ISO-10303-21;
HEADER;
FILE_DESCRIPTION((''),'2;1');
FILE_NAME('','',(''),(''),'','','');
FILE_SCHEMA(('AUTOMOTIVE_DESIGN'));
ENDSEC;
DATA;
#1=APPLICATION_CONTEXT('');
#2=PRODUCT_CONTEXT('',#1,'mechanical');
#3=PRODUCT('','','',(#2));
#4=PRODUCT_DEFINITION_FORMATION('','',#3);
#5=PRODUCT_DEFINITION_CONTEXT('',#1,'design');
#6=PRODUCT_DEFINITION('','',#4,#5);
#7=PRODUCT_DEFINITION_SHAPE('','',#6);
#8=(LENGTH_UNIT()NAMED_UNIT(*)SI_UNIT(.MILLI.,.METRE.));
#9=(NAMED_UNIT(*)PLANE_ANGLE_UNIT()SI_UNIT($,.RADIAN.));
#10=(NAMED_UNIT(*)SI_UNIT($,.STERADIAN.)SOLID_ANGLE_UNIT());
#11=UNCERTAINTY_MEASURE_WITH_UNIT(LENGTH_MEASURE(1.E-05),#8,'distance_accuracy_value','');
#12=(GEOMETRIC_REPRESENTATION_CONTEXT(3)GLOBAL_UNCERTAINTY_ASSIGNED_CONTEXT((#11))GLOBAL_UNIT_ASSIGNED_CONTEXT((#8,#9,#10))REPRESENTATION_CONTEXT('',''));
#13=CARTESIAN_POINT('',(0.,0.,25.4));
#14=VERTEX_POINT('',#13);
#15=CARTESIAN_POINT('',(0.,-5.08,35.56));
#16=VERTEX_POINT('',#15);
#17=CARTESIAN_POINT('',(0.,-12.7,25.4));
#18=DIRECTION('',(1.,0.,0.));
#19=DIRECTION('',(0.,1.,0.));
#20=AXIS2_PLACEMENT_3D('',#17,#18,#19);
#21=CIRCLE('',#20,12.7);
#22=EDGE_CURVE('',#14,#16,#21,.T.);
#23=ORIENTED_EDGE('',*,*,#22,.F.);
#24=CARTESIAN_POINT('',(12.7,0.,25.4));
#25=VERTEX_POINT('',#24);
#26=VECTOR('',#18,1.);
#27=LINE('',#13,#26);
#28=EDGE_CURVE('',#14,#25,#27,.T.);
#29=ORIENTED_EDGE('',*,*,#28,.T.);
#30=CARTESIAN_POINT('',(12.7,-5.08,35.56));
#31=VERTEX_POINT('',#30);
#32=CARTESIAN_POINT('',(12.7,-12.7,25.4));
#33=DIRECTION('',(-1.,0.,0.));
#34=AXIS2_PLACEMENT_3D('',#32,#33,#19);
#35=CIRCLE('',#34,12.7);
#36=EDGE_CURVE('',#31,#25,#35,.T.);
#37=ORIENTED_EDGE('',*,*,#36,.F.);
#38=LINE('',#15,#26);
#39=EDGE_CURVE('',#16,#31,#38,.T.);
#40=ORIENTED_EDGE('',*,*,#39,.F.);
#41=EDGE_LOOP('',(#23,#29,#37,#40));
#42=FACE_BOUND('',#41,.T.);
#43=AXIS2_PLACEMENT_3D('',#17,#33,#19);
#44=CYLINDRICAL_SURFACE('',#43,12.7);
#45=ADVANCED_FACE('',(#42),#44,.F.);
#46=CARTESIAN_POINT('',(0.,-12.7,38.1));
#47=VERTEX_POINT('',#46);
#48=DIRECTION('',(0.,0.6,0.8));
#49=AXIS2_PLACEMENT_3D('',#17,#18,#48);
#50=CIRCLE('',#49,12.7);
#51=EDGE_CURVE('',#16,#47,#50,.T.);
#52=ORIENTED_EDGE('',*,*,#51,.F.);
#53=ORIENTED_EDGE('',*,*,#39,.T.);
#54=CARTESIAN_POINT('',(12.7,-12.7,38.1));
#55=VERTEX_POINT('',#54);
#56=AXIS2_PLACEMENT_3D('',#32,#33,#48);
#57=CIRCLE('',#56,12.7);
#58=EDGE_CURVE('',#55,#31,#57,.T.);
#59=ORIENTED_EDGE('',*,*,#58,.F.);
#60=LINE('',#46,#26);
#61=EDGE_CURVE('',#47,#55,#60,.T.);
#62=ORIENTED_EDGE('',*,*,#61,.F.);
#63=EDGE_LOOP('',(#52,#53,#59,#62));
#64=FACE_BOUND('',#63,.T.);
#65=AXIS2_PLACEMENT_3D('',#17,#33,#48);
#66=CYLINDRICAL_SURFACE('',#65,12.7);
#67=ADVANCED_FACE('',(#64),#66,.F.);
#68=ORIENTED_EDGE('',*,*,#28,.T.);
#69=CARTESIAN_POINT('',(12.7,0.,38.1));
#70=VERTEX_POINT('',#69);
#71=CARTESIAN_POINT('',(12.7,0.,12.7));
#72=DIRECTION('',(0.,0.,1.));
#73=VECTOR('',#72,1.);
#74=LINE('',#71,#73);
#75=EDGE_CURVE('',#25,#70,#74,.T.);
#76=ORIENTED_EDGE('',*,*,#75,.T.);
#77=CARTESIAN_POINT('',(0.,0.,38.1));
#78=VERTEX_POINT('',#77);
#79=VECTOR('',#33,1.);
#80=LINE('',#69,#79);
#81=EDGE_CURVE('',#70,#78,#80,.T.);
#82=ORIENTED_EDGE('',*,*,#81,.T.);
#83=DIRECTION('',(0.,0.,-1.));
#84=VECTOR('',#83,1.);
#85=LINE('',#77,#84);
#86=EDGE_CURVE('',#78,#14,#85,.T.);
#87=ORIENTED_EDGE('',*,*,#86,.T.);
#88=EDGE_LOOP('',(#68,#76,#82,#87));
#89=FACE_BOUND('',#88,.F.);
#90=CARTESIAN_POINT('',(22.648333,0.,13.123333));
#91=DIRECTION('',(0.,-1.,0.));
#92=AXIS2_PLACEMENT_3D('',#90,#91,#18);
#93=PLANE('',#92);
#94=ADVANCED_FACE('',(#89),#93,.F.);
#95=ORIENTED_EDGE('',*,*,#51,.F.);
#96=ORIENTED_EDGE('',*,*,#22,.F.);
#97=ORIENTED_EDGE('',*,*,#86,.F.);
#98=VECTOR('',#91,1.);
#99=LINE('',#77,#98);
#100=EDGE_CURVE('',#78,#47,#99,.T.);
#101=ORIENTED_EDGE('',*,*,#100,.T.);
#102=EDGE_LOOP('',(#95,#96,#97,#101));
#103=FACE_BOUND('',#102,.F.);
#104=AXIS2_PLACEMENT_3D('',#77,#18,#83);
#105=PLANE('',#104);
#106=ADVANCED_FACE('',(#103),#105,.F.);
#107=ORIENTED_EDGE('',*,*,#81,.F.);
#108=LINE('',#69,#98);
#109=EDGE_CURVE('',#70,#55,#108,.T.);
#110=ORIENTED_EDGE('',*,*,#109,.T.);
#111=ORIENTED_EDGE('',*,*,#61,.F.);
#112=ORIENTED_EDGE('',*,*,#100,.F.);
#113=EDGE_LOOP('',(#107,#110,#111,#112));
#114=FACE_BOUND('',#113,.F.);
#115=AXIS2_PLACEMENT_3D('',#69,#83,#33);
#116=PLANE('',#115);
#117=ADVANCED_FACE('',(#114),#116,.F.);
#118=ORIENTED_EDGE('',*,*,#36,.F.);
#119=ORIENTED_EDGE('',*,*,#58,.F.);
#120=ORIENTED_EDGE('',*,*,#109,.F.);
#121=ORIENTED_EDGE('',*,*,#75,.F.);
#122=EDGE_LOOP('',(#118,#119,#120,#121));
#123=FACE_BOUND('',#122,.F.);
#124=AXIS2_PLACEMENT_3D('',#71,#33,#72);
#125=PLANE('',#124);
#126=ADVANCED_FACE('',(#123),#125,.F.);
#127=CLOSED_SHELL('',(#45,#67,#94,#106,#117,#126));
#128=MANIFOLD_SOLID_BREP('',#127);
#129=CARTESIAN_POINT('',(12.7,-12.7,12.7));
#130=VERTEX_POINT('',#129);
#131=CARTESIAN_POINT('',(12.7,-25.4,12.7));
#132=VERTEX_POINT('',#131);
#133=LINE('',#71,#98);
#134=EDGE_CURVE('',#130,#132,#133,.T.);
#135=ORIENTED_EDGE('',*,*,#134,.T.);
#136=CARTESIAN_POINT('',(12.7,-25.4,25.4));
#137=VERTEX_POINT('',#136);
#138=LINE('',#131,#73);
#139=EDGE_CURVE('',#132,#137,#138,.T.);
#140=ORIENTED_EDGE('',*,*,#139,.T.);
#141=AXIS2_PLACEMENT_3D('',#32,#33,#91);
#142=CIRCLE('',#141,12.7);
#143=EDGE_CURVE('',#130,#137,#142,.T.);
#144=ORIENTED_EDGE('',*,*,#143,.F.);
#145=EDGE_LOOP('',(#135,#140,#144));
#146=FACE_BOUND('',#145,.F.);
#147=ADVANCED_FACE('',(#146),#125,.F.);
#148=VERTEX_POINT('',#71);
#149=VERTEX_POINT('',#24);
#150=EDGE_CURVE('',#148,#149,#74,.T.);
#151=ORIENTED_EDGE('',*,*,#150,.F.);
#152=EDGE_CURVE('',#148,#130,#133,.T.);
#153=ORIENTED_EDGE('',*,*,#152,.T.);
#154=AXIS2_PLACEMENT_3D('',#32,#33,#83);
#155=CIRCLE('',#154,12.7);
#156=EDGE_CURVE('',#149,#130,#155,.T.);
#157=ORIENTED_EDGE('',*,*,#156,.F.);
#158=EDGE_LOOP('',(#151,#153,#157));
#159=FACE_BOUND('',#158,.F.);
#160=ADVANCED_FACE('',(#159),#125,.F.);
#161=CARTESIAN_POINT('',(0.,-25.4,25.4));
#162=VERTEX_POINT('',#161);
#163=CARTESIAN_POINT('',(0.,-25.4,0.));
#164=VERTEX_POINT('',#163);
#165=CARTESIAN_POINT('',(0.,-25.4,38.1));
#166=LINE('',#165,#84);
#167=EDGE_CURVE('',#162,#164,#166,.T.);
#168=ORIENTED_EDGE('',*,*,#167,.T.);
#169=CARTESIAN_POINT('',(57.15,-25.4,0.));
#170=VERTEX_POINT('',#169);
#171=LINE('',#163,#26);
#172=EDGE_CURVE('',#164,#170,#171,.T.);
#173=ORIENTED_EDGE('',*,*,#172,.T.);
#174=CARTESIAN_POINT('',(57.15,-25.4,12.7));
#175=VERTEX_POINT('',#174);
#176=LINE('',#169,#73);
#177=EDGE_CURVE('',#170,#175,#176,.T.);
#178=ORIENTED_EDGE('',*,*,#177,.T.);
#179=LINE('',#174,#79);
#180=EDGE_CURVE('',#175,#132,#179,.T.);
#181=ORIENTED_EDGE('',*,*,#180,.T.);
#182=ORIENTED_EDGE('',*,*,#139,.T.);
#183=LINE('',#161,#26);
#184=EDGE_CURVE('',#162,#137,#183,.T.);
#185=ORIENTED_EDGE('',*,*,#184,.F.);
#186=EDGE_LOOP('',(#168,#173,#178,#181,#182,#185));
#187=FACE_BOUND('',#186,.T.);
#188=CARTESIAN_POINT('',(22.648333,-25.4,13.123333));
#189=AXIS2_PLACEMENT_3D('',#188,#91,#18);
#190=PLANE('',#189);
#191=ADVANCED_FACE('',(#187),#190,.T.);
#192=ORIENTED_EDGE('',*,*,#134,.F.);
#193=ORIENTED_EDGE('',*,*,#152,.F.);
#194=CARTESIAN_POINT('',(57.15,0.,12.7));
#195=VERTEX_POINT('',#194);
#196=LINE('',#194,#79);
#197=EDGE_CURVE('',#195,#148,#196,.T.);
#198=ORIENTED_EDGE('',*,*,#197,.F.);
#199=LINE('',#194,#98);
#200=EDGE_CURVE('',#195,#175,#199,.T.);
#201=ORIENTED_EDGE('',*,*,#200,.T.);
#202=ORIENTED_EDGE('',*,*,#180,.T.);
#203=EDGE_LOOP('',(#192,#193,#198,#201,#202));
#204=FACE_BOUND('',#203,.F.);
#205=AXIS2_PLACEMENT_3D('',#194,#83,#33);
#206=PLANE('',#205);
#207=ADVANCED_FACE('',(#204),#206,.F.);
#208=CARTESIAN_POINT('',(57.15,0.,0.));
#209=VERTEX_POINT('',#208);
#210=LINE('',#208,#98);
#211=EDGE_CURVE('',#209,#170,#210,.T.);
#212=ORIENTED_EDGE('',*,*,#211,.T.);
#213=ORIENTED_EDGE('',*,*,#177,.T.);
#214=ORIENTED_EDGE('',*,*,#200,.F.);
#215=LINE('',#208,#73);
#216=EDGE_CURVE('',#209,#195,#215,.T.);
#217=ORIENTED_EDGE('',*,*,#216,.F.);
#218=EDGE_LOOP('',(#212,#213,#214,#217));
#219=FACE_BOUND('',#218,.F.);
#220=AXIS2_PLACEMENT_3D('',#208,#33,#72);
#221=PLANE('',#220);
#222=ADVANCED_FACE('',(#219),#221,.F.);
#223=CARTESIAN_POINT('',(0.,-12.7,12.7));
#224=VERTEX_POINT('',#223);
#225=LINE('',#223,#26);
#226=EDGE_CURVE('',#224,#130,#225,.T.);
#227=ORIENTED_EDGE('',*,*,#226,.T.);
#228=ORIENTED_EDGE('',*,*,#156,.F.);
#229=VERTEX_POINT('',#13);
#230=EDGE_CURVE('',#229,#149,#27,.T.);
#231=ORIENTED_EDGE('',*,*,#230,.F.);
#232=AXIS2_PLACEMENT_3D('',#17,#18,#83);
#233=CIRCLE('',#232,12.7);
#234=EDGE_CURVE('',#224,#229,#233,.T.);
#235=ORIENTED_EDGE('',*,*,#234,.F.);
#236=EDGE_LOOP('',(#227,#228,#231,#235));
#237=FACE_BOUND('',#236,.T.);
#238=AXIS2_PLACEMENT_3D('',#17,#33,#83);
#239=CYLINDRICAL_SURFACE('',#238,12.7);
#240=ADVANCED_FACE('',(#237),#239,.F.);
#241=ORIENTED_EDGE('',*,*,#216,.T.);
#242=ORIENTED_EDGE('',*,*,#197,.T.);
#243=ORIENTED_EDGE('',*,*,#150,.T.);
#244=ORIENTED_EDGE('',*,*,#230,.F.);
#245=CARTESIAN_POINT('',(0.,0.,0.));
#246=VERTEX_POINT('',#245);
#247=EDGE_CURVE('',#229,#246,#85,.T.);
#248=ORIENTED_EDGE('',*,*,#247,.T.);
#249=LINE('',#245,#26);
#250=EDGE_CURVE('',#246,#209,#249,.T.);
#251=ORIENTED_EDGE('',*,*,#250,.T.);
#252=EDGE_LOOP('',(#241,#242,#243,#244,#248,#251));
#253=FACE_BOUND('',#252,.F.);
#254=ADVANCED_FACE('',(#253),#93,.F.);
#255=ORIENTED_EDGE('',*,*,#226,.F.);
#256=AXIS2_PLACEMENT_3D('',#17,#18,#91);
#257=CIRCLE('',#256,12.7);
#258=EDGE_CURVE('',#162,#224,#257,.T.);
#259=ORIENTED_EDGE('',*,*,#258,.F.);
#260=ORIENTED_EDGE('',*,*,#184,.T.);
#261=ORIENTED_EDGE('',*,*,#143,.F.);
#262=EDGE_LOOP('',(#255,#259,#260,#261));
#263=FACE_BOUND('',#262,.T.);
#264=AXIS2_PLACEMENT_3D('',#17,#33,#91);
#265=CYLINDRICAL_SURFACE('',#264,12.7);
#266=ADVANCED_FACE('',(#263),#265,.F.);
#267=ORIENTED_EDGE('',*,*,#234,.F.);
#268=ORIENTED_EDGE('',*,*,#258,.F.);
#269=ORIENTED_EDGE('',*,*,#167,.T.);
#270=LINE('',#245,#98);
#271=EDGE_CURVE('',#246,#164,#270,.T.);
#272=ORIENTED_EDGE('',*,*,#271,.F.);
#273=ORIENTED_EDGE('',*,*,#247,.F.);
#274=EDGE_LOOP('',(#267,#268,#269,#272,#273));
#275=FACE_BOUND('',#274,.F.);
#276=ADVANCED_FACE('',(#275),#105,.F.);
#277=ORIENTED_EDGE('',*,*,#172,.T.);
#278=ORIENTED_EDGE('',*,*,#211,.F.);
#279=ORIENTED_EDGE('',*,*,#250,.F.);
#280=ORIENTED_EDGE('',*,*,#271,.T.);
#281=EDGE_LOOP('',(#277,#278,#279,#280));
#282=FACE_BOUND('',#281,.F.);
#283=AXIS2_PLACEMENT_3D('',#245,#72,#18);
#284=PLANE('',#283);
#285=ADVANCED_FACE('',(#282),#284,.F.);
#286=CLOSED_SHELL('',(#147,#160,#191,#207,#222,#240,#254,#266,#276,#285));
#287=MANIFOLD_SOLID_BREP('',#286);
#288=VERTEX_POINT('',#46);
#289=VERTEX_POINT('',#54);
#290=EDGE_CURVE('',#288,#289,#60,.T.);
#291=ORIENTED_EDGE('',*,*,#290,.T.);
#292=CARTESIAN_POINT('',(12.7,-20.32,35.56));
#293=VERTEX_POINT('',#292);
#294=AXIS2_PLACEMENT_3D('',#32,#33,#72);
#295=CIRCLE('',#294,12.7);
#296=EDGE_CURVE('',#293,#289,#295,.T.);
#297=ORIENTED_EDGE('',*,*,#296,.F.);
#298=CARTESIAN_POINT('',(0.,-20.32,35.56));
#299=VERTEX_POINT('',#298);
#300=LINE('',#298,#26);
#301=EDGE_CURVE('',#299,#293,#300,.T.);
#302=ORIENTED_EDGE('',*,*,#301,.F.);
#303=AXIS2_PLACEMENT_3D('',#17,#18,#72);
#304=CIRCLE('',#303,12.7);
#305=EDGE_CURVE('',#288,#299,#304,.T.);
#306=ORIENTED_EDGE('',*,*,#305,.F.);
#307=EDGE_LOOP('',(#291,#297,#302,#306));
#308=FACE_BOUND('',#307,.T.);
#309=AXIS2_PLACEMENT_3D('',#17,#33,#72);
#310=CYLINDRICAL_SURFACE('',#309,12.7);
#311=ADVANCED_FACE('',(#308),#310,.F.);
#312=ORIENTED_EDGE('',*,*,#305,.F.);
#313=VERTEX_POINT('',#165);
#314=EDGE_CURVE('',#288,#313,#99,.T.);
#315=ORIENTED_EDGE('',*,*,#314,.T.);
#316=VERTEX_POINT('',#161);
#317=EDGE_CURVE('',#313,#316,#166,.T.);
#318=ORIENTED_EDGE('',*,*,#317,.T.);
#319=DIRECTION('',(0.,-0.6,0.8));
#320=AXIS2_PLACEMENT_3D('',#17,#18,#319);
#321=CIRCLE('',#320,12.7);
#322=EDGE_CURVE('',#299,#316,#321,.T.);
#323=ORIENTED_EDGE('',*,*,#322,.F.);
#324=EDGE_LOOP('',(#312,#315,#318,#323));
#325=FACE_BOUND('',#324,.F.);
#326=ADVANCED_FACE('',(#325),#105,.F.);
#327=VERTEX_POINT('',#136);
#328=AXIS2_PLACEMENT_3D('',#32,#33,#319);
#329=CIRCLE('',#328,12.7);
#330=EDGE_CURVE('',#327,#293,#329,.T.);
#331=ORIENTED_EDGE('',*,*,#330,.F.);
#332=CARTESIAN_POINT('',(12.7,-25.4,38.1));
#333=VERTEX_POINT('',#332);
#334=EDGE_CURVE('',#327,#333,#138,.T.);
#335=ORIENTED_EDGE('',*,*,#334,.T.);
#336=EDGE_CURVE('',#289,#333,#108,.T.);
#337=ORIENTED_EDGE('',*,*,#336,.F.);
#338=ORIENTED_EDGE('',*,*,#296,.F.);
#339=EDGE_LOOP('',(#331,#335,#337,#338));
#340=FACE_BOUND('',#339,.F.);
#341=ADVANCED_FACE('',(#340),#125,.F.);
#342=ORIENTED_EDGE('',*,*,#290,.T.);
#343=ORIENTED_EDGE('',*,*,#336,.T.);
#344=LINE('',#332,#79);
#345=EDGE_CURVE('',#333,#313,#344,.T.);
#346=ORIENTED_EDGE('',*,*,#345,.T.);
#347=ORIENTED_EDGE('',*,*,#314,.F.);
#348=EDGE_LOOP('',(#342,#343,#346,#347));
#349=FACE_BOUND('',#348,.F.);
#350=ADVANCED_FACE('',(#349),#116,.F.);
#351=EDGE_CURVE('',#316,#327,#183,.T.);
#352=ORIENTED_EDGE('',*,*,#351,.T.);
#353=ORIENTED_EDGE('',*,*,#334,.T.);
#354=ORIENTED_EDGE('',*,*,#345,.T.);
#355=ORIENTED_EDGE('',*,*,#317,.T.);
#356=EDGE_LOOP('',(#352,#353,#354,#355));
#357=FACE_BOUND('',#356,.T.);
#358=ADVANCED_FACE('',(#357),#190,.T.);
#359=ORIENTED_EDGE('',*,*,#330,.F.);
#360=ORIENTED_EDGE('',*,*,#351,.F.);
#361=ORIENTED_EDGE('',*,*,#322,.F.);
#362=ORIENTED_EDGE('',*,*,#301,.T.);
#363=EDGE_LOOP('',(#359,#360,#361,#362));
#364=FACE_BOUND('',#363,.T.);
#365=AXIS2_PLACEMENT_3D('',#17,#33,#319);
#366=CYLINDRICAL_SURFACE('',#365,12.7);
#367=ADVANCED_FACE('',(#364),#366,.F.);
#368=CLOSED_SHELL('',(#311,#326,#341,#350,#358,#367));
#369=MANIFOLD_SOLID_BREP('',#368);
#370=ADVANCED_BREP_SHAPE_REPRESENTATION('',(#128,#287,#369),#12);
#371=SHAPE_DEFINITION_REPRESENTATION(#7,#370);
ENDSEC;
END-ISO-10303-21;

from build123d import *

# Parameters (mm, degrees)
F1_DEPTH = 25.4
F3_DEPTH = 57.151
F4_DEPTH = 25.4


with BuildPart() as f1:
    # F0 (on Front) → F1 (new body)
    with BuildSketch(Plane.XZ):
        Polygon((0, 38.1), (0, 0), (57.15, 0), (57.15, 12.7), (12.7, 12.7), (12.7, 38.1), align=None)
    extrude(amount=F1_DEPTH)

    # F2 (on Right) → F3 (cut, through all)
    with BuildSketch(Plane.YZ):
        with BuildLine():
            ThreePointArc((-5.08, 35.56), (-8.6839073716, 37.4482778852), (-12.7, 38.1))
            Line((-12.7, 38.1), (-12.7, 25.4))
            ThreePointArc((-12.7, 25.4), (-6.35, 28.575), (-5.08, 35.56))
        make_face()
        with BuildLine():
            Line((-12.7, 25.4), (-12.7, 38.1))
            ThreePointArc((-12.7, 38.1), (-16.7160926284, 37.4482778852), (-20.32, 35.56))
            ThreePointArc((-20.32, 35.56), (-19.05, 28.575), (-12.7, 25.4))
        make_face()
    extrude(amount=F3_DEPTH, mode=Mode.SUBTRACT)

    # F2 (on Right) → F4 (cut)
    with BuildSketch(Plane.YZ):
        with BuildLine():
            ThreePointArc((-5.08, 35.56), (-8.6839073716, 37.4482778852), (-12.7, 38.1))
            Line((-12.7, 38.1), (-12.7, 25.4))
            ThreePointArc((-12.7, 25.4), (-6.35, 28.575), (-5.08, 35.56))
        make_face()
        with BuildLine():
            Line((-12.7, 25.4), (-12.7, 38.1))
            ThreePointArc((-12.7, 38.1), (-16.7160926284, 37.4482778852), (-20.32, 35.56))
            ThreePointArc((-20.32, 35.56), (-19.05, 28.575), (-12.7, 25.4))
        make_face()
        with BuildLine():
            Line((0, 25.4), (-12.7, 25.4))
            Line((-12.7, 25.4), (-12.7, 12.7))
            ThreePointArc((-12.7, 12.7), (-3.7197438789, 16.4197438789), (0, 25.4))
        make_face()
        with BuildLine():
            Line((-12.7, 12.7), (-12.7, 25.4))
            Line((-12.7, 25.4), (-25.4, 25.4))
            ThreePointArc((-25.4, 25.4), (-21.6802561211, 16.4197438789), (-12.7, 12.7))
        make_face()
        with BuildLine():
            ThreePointArc((-5.08, 35.56), (-6.35, 28.575), (-12.7, 25.4))
            Line((-12.7, 25.4), (0, 25.4))
            ThreePointArc((0, 25.4), (-1.3407746743, 31.0796126628), (-5.08, 35.56))
        make_face()
        with BuildLine():
            Line((-25.4, 25.4), (-12.7, 25.4))
            ThreePointArc((-12.7, 25.4), (-19.05, 28.575), (-20.32, 35.56))
            ThreePointArc((-20.32, 35.56), (-24.0592253257, 31.0796126628), (-25.4, 25.4))
        make_face()
    extrude(amount=F4_DEPTH, mode=Mode.SUBTRACT)


solid = f1.part
